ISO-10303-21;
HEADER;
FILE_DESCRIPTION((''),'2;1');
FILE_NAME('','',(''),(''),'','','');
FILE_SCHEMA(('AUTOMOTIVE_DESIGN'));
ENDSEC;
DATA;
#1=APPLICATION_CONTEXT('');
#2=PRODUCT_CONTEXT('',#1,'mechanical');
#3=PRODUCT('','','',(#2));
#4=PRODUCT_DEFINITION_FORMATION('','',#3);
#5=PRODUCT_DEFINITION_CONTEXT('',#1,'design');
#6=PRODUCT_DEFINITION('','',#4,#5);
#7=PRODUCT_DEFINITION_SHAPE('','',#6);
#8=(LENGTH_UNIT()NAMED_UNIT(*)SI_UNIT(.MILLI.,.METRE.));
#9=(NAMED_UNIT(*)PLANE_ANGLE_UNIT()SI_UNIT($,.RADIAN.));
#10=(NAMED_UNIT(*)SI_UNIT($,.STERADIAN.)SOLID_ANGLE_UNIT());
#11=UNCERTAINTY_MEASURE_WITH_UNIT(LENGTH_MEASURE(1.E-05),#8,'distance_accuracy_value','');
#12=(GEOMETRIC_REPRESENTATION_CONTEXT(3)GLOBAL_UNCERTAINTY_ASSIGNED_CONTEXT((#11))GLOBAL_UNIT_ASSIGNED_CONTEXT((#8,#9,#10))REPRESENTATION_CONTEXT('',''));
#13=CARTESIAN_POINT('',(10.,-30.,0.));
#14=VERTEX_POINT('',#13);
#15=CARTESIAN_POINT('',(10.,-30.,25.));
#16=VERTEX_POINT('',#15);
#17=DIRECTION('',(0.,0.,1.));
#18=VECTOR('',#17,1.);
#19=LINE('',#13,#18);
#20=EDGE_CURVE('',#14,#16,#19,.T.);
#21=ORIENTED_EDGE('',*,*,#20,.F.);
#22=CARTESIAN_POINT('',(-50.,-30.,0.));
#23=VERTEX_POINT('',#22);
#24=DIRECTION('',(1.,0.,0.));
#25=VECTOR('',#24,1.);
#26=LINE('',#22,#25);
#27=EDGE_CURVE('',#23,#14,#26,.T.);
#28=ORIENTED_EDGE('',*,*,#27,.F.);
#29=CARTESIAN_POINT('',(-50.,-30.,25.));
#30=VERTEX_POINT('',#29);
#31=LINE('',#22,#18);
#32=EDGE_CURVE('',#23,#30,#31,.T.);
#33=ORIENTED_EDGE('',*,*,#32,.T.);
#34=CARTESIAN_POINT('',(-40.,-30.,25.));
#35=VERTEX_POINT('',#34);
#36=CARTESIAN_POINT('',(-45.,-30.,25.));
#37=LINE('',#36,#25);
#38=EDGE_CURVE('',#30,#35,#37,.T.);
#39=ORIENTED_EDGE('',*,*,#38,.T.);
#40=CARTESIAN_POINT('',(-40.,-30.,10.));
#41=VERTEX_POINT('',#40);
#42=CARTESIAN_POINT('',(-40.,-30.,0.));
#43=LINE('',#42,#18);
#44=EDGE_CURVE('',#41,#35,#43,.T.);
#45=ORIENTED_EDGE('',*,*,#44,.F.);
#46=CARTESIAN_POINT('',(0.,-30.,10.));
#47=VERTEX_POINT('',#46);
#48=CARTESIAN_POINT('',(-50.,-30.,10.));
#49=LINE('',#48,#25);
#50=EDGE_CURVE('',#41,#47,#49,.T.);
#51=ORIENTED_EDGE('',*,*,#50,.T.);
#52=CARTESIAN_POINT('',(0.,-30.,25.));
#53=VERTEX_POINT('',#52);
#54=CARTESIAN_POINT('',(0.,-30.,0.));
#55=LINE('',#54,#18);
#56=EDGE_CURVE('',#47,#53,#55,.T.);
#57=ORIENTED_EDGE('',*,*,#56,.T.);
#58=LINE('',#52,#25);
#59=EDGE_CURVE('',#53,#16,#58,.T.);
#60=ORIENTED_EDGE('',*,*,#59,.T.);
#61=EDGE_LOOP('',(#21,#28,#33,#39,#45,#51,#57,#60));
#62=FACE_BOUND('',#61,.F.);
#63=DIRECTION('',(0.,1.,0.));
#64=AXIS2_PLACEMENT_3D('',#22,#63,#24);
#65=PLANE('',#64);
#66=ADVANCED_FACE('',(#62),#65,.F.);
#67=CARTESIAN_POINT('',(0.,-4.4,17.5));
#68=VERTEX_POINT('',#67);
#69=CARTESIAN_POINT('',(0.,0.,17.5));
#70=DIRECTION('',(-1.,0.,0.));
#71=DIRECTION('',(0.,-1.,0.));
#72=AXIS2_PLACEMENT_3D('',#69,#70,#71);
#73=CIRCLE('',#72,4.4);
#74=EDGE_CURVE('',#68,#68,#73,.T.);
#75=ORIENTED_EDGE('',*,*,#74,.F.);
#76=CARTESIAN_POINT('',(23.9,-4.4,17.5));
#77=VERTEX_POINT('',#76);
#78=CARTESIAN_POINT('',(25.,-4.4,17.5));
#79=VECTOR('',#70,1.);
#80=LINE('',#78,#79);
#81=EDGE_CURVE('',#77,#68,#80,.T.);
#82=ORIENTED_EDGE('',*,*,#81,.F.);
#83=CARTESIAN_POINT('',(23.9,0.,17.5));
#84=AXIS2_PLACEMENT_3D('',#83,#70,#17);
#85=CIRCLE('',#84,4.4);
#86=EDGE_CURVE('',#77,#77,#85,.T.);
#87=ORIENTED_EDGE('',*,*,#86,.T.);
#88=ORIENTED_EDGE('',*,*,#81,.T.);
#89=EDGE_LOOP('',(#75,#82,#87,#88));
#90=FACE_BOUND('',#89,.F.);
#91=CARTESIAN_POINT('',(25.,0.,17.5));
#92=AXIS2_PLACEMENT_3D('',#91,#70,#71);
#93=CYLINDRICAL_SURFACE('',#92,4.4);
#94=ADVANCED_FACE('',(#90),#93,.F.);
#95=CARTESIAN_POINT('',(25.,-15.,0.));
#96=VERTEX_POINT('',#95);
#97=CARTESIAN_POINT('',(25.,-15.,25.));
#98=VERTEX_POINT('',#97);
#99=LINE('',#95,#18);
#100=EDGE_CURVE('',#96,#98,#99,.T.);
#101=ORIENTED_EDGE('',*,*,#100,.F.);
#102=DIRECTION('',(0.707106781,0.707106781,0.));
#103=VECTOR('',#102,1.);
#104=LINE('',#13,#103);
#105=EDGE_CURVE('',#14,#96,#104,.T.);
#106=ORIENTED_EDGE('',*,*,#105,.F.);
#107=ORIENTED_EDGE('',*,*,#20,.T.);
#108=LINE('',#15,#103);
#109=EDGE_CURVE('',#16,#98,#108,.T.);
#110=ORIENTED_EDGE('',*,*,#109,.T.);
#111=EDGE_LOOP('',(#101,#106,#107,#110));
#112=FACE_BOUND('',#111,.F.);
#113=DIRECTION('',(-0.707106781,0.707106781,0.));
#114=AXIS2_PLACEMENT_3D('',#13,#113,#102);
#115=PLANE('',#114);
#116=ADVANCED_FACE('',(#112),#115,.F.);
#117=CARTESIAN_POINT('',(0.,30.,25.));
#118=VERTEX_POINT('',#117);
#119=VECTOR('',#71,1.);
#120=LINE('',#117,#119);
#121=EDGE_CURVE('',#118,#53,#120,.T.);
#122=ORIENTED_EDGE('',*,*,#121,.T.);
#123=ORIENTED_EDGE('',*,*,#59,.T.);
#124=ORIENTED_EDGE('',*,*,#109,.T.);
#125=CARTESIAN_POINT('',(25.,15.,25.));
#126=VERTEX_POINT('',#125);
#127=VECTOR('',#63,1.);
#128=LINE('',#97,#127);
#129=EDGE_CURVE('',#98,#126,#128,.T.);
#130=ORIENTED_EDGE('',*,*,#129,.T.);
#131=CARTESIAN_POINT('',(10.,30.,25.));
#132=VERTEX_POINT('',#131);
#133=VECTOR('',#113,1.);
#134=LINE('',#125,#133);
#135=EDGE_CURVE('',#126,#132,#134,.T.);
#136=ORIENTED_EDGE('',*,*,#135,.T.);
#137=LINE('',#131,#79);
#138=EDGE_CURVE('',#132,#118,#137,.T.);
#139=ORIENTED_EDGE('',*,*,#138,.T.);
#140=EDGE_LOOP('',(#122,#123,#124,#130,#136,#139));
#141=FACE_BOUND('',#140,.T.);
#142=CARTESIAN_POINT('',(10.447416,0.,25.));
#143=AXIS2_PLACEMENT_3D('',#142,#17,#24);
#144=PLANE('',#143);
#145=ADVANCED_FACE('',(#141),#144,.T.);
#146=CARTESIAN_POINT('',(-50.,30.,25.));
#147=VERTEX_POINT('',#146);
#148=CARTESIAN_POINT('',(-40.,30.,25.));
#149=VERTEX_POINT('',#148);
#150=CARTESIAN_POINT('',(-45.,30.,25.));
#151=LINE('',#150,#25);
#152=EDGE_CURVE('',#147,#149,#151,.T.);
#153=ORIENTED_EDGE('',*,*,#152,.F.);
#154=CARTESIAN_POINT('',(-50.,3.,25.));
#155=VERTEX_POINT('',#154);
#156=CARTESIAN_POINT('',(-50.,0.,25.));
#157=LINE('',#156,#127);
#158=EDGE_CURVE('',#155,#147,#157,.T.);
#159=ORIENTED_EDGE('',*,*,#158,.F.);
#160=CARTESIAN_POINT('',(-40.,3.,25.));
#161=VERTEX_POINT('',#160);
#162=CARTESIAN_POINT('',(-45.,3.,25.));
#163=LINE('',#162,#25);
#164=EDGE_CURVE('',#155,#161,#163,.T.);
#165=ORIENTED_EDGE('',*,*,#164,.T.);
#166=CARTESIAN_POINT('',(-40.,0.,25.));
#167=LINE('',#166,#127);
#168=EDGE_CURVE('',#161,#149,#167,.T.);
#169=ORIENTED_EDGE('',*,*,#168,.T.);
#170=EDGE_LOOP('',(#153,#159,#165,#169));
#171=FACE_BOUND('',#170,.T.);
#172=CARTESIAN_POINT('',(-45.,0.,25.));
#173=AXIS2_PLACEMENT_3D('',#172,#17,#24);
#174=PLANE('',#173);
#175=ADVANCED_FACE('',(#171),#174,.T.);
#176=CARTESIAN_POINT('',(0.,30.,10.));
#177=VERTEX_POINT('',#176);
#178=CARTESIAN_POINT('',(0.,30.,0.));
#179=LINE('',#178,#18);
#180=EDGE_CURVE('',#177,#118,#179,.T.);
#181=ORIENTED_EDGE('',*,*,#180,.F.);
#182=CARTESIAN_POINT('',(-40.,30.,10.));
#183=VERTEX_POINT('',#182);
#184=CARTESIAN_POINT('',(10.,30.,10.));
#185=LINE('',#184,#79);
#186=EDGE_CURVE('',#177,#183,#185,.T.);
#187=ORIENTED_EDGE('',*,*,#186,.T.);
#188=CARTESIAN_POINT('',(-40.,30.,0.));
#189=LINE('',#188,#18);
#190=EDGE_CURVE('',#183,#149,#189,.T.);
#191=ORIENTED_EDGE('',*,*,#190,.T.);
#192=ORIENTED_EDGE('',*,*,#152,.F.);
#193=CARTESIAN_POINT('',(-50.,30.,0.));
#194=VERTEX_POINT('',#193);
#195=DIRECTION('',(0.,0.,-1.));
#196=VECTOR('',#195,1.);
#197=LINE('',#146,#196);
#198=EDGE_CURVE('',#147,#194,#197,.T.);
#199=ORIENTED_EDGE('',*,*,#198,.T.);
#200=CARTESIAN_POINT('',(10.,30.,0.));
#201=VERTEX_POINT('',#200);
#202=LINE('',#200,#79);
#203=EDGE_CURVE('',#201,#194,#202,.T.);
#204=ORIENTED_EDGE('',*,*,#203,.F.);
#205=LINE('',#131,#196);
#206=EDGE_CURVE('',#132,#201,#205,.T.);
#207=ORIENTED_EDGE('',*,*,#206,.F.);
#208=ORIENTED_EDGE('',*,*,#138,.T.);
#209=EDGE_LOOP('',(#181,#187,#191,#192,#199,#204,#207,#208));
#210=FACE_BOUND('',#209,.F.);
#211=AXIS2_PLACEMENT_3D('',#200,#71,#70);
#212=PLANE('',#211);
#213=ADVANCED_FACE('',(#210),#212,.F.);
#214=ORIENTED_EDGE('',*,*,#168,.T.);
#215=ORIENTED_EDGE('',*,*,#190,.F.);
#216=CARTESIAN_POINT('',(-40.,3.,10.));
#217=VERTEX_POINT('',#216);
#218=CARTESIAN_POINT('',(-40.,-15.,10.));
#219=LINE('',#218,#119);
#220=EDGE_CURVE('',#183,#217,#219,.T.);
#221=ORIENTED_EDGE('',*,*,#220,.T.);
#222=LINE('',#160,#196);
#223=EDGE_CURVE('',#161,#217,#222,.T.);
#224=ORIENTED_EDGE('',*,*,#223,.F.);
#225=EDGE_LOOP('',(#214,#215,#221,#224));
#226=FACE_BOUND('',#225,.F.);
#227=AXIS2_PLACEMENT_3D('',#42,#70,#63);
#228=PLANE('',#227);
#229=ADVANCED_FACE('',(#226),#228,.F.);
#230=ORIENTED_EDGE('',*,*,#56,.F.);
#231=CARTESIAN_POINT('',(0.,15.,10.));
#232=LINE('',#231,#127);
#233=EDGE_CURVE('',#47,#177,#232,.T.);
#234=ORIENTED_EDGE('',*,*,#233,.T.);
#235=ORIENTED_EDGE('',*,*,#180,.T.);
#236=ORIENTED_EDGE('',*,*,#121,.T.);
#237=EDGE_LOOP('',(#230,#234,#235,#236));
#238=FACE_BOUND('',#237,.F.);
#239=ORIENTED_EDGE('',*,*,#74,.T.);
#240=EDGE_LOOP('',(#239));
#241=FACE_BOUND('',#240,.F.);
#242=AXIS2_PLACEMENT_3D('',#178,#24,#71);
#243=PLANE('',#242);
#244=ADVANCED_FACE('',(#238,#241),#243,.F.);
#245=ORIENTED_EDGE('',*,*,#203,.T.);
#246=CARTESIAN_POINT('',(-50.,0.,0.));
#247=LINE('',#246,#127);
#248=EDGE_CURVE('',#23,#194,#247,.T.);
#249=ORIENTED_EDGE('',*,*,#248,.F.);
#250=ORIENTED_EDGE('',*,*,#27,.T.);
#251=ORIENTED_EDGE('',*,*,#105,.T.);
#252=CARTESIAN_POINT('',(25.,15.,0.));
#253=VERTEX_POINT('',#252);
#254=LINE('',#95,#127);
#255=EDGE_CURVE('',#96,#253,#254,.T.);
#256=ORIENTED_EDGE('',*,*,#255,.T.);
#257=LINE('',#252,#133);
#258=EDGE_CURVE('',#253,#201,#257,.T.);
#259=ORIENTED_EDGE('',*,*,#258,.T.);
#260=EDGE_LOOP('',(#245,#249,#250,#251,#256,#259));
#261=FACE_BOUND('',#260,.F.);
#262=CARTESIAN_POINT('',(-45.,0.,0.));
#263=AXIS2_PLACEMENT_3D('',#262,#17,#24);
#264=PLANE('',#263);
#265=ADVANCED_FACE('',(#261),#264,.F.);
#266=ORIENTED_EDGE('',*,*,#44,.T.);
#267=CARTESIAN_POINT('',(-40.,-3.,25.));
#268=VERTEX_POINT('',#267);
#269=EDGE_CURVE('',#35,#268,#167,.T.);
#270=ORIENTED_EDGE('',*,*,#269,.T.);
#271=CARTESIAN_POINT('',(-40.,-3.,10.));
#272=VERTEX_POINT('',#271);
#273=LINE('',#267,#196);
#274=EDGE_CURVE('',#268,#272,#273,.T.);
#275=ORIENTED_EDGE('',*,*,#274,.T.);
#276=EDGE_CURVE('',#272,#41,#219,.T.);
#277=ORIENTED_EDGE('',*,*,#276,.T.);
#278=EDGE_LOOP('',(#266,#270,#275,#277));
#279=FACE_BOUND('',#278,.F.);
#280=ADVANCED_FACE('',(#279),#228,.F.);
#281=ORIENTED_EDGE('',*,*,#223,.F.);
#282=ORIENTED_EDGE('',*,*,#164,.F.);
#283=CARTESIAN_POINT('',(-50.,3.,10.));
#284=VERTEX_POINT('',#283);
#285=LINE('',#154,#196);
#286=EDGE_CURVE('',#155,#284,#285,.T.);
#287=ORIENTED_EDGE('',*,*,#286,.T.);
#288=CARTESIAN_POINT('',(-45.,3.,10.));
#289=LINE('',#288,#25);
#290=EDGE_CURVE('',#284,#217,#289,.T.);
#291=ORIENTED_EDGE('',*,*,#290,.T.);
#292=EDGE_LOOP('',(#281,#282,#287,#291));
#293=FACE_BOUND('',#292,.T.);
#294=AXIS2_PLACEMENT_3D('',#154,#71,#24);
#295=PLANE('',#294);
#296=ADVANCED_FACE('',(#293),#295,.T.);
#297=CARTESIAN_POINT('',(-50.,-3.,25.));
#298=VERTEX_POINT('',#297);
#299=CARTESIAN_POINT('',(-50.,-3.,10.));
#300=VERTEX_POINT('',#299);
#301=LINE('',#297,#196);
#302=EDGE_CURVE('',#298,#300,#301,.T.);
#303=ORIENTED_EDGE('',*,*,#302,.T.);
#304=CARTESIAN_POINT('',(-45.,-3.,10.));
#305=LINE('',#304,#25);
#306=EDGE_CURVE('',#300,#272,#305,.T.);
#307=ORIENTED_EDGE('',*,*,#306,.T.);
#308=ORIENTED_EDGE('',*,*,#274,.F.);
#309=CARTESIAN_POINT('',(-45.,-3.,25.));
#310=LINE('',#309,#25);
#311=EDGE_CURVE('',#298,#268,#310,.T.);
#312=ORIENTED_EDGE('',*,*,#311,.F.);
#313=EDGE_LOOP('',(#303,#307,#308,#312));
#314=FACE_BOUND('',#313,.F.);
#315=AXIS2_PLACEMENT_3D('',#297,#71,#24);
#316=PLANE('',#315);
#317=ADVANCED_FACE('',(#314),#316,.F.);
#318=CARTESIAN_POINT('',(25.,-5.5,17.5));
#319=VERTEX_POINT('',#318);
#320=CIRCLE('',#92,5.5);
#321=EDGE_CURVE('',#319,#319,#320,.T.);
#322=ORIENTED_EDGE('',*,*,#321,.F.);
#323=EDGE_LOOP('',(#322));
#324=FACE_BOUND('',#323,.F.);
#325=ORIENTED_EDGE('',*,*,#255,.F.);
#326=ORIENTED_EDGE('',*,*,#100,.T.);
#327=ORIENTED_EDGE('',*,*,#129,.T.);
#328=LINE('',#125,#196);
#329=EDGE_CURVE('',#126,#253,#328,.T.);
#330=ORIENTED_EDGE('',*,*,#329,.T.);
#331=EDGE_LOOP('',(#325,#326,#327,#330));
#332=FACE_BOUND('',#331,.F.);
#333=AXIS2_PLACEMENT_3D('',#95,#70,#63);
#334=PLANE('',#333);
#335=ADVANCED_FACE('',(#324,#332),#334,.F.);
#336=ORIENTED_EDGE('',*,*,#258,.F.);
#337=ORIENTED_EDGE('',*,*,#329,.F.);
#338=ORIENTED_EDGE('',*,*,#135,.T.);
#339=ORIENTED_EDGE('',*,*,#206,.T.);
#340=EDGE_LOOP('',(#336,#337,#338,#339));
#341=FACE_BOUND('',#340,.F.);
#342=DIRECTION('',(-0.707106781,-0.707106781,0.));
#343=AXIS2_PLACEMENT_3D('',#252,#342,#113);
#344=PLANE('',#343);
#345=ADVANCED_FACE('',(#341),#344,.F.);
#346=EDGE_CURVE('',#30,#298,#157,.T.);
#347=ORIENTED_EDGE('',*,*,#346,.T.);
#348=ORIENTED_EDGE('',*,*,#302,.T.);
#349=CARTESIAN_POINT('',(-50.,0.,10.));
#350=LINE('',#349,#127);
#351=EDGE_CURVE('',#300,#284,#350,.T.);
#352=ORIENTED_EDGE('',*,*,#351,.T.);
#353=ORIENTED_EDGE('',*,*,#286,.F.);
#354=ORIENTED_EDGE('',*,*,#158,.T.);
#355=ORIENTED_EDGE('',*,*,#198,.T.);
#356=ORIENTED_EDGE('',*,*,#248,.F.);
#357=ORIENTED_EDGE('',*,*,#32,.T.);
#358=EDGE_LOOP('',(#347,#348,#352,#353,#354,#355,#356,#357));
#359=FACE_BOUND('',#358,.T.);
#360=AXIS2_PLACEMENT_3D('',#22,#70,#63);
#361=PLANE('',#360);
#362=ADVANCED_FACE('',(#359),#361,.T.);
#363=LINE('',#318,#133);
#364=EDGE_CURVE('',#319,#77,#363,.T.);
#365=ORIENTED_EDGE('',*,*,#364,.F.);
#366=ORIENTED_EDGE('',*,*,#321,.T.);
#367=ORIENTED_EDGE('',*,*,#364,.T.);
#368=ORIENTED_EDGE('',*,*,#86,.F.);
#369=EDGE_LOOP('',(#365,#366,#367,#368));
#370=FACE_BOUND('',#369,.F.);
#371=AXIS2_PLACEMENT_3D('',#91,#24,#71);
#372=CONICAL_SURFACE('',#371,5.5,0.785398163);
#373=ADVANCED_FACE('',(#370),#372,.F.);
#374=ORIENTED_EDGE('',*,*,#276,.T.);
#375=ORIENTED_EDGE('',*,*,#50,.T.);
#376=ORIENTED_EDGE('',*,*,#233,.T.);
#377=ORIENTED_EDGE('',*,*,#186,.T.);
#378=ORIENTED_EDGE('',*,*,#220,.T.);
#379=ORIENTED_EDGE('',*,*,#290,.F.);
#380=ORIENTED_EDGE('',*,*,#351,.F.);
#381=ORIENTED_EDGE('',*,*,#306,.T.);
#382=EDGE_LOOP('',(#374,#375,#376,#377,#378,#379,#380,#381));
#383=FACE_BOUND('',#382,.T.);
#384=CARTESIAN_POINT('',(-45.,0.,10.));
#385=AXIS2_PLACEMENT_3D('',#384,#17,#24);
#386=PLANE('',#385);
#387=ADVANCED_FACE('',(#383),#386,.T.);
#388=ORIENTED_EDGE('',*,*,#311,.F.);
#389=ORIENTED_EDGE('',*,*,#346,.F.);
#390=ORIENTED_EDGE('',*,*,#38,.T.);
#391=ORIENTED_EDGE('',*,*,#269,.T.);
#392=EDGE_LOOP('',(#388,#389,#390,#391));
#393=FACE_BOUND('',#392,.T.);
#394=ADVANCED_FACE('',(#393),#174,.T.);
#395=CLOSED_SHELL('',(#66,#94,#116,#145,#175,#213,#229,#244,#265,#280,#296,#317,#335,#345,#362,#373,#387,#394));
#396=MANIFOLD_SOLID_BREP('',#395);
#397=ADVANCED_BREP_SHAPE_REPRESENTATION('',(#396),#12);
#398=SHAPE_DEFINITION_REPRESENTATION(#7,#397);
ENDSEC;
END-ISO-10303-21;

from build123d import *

# Parameters (mm, degrees)
F7_W           = 10
F7_H           = 60
F7_W_2         = 40
F0_DEPTH       = 10
F1_DEPTH       = 25
F2_W           = 10
F2_H           = 6
F3_DEPTH       = 15
F6_D           = 8.8
F6_DEPTH       = 25
F6_CSINK_D     = 11
F6_CSINK_ANGLE = 90


with BuildPart() as f0:
    # F7 (on Top) → F0 (new body)
    with BuildSketch(Plane.XY):
        with Locations((-45, 0)):
            Rectangle(F7_W, F7_H)
        Polygon((10, 30), (0, 30), (0, -30), (10, -30), (25, -15), (25, 15), align=None)
        with Locations((-20, 0)):
            Rectangle(F7_W_2, F7_H)
    extrude(amount=F0_DEPTH)

    # F7 (on Top) → F1 (join)
    with BuildSketch(Plane.XY):
        with Locations((-45, 0)):
            Rectangle(F7_W, F7_H)
        Polygon((10, 30), (0, 30), (0, -30), (10, -30), (25, -15), (25, 15), align=None)
    extrude(amount=F1_DEPTH)

    # F2 (on face) → F3 (cut)
    with BuildSketch(Plane.XY.offset(25)):
        with Locations((-45, 0)):
            Rectangle(F2_W, F2_H)
    extrude(amount=-F3_DEPTH, mode=Mode.SUBTRACT)

    # F6
    with Locations(Plane.YZ.offset(25)):
        with Locations((0, 17.5)):
            CounterSinkHole(F6_D / 2, F6_CSINK_D / 2, depth=F6_DEPTH, counter_sink_angle=F6_CSINK_ANGLE)


solid = f0.part
